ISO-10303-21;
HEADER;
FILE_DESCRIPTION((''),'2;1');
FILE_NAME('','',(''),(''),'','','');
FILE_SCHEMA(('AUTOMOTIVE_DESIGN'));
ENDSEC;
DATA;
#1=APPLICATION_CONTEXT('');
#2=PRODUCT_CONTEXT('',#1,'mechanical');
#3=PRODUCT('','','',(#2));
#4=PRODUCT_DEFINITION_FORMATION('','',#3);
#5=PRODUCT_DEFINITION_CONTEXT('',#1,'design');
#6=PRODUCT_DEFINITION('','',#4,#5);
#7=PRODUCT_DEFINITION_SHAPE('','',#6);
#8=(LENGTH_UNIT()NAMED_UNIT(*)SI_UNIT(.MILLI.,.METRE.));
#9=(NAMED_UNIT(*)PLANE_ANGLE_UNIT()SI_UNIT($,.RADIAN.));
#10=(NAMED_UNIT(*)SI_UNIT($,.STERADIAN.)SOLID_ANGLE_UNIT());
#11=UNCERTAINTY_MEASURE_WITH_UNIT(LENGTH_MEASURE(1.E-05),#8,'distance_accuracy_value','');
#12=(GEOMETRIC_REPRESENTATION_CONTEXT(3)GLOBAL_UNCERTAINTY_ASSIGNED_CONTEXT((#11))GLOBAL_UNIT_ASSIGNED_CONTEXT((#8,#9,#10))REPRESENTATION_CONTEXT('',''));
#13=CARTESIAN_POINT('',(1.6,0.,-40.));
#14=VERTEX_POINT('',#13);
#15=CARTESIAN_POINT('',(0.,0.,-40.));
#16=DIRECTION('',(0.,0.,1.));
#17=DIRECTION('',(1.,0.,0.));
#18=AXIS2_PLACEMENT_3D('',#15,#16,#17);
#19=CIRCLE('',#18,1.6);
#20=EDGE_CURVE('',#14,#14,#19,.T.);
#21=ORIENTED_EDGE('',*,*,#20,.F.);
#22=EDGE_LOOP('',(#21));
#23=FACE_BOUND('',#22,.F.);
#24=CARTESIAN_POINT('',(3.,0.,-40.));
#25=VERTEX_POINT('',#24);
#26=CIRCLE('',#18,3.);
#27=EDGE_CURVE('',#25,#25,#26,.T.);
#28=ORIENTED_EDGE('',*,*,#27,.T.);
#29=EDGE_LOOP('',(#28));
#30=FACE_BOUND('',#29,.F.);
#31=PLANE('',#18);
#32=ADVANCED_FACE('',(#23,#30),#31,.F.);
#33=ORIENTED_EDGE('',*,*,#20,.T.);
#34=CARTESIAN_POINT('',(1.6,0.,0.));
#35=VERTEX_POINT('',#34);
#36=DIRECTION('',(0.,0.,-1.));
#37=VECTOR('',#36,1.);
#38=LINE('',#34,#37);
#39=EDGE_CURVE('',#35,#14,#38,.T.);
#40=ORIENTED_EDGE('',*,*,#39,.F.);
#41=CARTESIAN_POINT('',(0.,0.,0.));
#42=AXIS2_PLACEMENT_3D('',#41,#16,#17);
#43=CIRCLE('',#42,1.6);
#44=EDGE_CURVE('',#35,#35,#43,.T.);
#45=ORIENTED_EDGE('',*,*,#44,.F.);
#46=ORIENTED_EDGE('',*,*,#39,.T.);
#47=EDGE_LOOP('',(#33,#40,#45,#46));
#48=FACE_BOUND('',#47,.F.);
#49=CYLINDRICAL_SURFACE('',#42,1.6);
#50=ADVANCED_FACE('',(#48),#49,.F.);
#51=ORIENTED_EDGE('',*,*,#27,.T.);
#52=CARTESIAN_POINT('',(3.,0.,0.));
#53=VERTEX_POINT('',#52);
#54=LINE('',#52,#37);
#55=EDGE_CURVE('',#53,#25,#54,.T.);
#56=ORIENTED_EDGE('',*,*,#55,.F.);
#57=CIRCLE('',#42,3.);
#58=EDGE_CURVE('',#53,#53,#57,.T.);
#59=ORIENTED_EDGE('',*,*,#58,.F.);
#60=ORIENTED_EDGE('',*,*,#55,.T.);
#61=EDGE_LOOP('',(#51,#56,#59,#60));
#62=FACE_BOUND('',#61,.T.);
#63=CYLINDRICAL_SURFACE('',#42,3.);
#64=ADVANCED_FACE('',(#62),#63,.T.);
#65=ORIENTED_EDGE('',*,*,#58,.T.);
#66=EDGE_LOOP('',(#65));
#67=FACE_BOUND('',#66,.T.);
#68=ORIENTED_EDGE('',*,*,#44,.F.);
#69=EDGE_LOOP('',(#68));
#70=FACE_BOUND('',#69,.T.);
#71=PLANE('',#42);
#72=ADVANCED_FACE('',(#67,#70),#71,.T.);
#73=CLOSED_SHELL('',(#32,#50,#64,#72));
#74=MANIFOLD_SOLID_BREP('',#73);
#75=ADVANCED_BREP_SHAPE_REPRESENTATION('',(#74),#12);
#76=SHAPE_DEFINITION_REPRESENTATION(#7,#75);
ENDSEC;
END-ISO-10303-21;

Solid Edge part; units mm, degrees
sketch "Sketch1" plane through (0, 0, 0) normal (0, 0, 1) x (1, 0, 0)
  circle A0 centre (0, 0) radius 3
  circle A1 centre (0, 0) radius 1.6
extrude "Protrusion1" add sketch "Sketch1" against normal blind 40
